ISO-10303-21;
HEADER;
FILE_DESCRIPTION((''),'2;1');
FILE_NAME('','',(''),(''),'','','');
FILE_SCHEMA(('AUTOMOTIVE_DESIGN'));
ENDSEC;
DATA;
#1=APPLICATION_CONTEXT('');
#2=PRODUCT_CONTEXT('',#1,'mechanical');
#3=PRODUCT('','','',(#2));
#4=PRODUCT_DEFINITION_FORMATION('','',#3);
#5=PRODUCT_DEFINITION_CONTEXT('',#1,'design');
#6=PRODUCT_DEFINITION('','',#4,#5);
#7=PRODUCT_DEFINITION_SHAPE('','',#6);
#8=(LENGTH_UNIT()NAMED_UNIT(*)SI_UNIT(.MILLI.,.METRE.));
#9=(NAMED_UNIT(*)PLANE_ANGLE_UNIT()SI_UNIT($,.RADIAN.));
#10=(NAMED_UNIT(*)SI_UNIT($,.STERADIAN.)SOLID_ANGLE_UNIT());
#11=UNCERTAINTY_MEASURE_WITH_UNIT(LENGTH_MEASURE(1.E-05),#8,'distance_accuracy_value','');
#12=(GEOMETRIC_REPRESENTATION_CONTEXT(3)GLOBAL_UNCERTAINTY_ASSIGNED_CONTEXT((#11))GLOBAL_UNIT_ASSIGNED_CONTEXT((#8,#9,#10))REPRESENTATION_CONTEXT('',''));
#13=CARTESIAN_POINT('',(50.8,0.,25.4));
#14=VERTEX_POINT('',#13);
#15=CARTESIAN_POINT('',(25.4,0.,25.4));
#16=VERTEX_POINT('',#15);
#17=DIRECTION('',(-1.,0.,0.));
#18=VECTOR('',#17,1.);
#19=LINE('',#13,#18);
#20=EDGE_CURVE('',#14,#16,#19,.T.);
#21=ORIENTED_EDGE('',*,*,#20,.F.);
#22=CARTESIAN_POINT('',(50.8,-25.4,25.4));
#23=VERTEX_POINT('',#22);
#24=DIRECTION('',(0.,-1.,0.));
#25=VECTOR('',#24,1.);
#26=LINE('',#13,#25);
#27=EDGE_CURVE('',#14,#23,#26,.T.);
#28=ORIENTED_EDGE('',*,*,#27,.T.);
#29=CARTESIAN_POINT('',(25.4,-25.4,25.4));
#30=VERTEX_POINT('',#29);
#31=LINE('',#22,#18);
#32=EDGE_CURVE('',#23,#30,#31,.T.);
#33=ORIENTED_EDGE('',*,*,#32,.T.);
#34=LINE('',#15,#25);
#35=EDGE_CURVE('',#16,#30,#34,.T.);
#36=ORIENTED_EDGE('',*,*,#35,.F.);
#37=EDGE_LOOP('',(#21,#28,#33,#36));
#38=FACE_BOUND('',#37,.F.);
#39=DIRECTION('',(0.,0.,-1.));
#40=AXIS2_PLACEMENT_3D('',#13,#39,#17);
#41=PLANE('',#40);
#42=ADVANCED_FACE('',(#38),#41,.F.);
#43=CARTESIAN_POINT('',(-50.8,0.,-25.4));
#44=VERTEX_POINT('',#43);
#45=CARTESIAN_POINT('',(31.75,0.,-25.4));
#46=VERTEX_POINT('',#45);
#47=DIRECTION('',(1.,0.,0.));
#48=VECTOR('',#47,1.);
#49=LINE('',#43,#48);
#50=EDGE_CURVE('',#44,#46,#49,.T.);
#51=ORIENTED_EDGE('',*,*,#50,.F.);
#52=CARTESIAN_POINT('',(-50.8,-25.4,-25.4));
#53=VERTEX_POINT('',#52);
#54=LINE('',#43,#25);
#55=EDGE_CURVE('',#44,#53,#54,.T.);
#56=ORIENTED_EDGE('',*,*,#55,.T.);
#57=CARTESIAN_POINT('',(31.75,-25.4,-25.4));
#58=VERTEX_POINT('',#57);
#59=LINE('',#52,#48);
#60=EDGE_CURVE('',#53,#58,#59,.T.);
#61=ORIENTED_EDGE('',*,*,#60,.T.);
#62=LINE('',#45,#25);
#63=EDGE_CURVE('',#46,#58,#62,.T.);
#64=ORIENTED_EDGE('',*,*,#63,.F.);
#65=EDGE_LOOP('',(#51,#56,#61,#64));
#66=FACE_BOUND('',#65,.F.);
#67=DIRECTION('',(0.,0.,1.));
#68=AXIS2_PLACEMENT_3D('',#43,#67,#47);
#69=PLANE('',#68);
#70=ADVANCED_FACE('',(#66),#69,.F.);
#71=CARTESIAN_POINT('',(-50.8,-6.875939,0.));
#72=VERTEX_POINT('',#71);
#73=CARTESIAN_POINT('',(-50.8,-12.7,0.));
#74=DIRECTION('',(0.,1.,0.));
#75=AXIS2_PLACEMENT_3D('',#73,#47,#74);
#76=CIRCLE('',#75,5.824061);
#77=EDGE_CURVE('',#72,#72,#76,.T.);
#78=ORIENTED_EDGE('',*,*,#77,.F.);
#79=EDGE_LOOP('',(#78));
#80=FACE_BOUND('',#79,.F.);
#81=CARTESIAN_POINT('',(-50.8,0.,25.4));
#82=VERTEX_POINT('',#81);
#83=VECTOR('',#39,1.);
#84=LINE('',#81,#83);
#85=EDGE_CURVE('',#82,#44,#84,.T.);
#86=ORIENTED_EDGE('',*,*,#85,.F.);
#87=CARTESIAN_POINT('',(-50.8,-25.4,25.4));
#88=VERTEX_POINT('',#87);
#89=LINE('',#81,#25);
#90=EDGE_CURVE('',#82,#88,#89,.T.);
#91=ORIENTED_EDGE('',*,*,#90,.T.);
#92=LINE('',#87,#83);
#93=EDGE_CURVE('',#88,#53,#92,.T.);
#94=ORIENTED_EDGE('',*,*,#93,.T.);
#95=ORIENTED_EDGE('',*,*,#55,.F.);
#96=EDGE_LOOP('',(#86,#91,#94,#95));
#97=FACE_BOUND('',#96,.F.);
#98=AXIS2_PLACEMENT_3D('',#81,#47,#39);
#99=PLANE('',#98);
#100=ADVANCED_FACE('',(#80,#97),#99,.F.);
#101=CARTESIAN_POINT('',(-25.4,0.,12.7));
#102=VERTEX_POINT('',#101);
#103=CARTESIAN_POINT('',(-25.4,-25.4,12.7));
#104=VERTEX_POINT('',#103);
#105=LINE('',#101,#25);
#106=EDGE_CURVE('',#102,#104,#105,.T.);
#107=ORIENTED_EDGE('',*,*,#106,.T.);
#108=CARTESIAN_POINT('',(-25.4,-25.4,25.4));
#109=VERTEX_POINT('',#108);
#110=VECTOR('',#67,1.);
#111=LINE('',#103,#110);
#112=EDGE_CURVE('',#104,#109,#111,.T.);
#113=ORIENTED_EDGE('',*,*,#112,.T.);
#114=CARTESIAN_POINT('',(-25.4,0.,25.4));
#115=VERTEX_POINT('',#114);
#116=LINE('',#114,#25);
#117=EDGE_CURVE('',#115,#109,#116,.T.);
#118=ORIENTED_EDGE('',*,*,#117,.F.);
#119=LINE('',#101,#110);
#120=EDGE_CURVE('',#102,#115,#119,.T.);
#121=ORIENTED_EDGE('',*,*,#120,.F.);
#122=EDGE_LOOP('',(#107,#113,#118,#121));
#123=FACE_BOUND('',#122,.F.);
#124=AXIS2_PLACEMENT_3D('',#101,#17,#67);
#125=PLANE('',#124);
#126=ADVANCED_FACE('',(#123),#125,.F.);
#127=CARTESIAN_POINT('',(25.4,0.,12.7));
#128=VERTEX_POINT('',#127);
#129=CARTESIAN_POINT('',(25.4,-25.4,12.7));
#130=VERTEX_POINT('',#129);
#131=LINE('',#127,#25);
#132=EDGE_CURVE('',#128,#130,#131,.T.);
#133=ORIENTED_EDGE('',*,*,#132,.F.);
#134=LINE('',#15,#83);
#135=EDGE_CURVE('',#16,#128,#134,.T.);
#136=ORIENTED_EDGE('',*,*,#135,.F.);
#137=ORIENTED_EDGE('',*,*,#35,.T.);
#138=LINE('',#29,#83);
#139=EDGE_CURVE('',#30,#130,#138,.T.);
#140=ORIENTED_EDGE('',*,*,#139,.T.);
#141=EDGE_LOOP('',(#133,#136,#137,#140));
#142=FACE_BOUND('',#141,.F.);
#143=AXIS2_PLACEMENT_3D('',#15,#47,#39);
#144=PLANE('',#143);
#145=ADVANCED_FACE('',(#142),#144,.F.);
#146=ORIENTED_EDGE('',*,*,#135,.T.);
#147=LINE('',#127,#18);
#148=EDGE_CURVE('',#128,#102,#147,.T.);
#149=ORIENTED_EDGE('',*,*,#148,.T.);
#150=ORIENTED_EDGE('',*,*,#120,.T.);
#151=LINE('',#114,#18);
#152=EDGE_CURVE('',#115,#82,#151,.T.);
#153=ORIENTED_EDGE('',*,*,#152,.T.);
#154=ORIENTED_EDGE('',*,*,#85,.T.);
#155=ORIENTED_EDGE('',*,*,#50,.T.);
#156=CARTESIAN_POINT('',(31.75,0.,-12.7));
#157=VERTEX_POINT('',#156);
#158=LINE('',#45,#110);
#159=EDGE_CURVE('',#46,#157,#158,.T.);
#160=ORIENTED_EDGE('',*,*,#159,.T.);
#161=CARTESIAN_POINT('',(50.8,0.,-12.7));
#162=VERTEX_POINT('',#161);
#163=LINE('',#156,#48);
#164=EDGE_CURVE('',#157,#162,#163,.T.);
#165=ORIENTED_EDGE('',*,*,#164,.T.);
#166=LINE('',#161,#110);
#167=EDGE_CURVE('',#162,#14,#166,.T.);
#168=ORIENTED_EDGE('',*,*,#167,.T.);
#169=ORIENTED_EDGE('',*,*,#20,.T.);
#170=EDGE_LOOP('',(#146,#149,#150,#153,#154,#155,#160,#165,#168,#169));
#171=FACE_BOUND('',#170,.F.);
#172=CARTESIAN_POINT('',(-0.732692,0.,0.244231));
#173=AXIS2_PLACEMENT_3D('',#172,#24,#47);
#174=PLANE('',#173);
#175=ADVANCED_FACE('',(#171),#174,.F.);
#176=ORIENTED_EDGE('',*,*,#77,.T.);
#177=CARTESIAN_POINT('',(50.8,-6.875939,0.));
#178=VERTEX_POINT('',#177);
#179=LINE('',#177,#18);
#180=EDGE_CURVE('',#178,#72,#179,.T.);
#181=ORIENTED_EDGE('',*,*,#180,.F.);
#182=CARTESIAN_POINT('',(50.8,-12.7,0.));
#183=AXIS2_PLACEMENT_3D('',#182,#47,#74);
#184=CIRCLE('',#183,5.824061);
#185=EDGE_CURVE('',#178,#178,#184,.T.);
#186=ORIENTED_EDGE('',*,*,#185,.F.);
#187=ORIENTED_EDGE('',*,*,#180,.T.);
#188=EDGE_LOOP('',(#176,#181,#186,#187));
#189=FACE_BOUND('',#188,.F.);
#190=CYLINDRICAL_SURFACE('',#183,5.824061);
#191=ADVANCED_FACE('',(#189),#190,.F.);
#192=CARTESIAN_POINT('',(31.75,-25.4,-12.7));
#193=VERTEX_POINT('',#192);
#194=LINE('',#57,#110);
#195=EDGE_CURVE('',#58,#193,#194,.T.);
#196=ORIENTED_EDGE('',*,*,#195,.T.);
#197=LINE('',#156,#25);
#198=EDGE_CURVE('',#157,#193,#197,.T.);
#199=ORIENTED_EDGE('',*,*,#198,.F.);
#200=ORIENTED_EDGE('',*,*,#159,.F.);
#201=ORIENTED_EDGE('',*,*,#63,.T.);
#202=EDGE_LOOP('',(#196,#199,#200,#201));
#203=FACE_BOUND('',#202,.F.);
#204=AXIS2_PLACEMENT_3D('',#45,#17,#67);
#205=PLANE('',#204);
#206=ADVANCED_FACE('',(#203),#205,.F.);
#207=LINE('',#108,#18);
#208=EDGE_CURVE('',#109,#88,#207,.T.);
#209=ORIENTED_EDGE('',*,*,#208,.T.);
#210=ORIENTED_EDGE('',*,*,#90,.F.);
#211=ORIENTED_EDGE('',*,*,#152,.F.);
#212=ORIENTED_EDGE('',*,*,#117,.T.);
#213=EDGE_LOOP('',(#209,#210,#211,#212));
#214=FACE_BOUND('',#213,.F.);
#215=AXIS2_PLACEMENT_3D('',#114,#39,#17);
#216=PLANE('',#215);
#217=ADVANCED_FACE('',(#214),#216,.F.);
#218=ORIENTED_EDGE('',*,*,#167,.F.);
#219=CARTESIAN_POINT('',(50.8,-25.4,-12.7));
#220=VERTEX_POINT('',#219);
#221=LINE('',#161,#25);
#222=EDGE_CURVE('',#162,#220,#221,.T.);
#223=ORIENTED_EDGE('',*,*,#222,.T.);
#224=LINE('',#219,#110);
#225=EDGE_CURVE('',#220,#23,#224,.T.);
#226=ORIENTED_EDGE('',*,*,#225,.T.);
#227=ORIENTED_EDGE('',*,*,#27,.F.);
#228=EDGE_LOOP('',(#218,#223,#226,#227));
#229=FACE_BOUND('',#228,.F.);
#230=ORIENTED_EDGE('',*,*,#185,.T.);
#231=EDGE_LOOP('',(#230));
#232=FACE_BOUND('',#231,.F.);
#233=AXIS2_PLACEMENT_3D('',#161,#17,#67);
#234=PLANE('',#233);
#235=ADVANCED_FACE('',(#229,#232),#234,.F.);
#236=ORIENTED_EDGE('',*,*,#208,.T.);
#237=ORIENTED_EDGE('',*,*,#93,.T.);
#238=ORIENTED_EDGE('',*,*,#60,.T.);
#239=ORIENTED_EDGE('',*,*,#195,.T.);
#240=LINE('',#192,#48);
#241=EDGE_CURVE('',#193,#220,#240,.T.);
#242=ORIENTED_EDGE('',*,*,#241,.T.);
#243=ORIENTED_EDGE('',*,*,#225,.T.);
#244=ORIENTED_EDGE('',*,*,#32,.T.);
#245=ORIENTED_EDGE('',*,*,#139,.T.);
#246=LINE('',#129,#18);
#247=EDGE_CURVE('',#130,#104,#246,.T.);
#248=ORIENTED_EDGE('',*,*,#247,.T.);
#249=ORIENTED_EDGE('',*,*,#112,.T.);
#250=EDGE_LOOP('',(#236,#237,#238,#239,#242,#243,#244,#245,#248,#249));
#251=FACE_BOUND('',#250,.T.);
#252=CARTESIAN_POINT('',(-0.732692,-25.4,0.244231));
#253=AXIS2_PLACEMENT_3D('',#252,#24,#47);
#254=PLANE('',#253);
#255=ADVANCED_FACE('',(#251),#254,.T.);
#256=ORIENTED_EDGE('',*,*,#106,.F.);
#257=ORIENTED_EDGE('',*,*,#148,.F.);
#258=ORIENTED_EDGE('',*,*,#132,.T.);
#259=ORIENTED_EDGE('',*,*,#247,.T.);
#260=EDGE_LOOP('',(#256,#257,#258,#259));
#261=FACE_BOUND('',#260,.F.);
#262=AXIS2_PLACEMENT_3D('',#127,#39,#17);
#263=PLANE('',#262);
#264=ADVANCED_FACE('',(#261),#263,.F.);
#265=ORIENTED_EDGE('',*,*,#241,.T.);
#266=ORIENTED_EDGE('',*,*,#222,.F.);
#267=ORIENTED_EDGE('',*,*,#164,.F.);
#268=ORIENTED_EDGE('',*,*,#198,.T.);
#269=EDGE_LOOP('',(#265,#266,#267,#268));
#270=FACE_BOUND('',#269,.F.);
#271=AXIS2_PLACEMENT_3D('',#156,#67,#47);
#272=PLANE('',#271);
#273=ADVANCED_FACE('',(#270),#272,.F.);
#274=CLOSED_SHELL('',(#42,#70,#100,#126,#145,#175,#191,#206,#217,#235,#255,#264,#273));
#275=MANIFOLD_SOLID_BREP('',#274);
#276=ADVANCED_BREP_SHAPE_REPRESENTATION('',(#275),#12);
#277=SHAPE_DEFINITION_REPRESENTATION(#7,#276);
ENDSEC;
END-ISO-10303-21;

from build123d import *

# Parameters (mm, degrees)
F1_DEPTH = 25.4
F2_R     = 5.824061
F3_DEPTH = 101.601


with BuildPart() as f1:
    # F0 (on Front) → F1 (new body)
    with BuildSketch(Plane.XZ):
        Polygon((-25.4, 25.4), (-50.8, 25.4), (-50.8, -25.4), (31.75, -25.4), (31.75, -12.7), (50.8, -12.7), (50.8, 25.4), (25.4, 25.4), (25.4, 12.7), (-25.4, 12.7), align=None)
    extrude(amount=F1_DEPTH)

    # F2 (on face) → F3 (cut, through all)
    with BuildSketch(Plane.YZ.offset(50.8)):
        with Locations((-12.7, 0)):
            Circle(F2_R)
    extrude(amount=-F3_DEPTH, mode=Mode.SUBTRACT)


solid = f1.part
